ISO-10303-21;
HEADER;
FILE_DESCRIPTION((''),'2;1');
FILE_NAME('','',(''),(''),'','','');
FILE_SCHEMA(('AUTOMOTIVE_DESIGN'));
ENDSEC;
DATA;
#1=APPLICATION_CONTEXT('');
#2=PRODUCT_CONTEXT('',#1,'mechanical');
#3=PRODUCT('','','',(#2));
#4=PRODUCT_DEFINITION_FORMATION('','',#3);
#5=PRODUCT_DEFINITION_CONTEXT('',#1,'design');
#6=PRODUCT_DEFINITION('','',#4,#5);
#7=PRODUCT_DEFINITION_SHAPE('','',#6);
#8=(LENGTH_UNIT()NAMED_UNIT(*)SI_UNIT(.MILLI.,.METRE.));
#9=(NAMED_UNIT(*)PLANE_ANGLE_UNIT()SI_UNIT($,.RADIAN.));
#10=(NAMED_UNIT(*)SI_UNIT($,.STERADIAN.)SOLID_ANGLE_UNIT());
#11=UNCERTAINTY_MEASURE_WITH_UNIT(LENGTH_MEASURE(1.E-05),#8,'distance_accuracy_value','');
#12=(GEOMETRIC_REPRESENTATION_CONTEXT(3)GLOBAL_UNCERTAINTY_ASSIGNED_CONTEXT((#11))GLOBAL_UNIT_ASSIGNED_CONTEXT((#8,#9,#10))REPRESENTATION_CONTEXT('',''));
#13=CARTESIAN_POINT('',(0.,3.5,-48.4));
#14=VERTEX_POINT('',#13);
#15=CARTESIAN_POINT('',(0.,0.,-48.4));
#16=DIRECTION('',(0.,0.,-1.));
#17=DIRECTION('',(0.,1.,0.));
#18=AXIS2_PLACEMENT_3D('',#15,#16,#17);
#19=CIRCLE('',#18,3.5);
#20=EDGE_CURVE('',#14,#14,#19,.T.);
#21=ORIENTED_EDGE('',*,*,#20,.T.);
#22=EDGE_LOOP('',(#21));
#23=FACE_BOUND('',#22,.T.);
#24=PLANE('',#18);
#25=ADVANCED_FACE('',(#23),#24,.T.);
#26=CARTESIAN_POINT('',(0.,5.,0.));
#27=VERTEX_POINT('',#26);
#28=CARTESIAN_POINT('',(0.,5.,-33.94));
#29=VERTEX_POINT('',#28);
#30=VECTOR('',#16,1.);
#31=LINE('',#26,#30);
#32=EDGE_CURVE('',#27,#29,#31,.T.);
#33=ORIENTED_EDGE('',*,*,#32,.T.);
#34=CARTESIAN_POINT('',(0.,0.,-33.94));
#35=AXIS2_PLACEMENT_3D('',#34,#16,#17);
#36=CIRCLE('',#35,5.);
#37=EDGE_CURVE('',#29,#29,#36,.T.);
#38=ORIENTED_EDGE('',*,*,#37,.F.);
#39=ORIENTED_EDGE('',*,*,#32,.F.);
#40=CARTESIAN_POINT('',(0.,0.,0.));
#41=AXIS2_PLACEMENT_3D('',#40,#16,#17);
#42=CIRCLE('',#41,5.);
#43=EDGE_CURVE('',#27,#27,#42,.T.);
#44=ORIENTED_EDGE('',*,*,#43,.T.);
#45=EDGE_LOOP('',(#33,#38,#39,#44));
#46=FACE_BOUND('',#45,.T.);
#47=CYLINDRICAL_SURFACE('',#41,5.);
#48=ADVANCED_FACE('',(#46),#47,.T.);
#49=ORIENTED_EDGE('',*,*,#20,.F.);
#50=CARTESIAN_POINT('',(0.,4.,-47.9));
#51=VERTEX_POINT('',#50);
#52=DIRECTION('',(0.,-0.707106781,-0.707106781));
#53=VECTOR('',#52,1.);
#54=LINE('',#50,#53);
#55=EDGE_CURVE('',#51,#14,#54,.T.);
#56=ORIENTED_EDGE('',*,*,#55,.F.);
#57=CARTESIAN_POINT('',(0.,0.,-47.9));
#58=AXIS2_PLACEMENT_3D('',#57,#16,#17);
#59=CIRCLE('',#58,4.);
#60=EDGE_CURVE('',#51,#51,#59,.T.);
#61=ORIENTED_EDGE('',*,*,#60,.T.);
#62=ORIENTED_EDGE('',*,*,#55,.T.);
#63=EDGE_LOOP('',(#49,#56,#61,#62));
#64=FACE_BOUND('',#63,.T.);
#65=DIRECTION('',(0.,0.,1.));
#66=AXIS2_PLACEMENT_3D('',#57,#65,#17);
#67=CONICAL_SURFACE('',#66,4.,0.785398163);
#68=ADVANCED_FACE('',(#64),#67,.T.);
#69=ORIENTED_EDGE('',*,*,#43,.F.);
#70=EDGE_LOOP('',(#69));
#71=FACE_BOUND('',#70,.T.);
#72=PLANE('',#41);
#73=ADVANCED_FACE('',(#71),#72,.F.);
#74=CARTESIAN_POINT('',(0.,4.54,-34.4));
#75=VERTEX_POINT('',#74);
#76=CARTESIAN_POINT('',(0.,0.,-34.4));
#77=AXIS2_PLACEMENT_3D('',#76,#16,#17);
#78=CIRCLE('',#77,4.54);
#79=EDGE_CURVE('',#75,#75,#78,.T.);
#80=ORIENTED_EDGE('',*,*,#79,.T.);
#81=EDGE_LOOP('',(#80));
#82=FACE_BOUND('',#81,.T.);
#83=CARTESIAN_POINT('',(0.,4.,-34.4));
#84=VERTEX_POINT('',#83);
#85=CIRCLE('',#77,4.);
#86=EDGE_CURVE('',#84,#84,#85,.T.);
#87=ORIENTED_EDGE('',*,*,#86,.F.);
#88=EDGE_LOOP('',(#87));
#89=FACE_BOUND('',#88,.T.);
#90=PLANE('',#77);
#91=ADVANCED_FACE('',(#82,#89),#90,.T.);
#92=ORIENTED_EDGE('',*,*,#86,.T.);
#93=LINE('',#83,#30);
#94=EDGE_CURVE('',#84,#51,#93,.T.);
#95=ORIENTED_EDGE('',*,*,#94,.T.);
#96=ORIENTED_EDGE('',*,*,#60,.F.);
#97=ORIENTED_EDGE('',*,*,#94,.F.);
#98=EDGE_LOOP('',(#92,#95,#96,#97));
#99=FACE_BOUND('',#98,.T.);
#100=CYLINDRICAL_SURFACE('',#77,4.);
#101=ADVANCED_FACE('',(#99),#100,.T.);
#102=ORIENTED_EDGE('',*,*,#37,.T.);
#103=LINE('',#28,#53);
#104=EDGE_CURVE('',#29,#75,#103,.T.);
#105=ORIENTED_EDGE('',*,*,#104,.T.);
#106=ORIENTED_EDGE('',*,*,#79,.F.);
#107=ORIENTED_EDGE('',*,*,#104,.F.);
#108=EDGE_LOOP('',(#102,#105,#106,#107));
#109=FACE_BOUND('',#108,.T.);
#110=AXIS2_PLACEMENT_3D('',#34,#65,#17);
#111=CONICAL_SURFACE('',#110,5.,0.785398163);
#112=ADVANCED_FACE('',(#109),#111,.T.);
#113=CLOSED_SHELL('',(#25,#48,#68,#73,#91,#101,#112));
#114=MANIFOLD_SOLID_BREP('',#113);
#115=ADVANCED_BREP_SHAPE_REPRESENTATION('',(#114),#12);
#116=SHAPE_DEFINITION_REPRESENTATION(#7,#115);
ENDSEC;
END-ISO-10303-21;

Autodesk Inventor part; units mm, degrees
sketch "Sketch_1" plane through (0, 0, 0) normal (1, 0, 0) x (0, 1, 0)
  line L0 (0, -48.4) -> (0, 0)
  line L1 (0, 0) -> (5, 0)
  line L2 (5, 0) -> (5, -33.94)
  line L3 (5, -33.94) -> (4.54, -34.4)
  line L4 (4.54, -34.4) -> (4, -34.4)
  line L5 (4, -34.4) -> (4, -47.9)
  line L6 (4, -47.9) -> (3.5, -48.4)
  line L7 (3.5, -48.4) -> (0, -48.4)
  line L8 (0, -48.4) -> (0, 0)
revolve "Revolution1" add sketch "Sketch_1" angle 360 about axis through (0, 0, -48.4) along (0, 0, -1)
thread "Thread1" size "M10x0.75" class "6g" standard "ISO Metric profile" length 9.54
ref_plane "ANBAU_XY" through (0, 0, 0) normal (0, 0, 1) x (1, 0, 0)
ref_plane "ANBAU_YZ" through (0, 0, 0) normal (1, 0, 0) x (0, 1, 0)
ref_plane "ANBAU_ZX" through (0, 0, 0) normal (0, 1, 0) x (0, 0, 1)
properties part number "ESBF-BS-40-ESBF-BS-40---(KSA)"
